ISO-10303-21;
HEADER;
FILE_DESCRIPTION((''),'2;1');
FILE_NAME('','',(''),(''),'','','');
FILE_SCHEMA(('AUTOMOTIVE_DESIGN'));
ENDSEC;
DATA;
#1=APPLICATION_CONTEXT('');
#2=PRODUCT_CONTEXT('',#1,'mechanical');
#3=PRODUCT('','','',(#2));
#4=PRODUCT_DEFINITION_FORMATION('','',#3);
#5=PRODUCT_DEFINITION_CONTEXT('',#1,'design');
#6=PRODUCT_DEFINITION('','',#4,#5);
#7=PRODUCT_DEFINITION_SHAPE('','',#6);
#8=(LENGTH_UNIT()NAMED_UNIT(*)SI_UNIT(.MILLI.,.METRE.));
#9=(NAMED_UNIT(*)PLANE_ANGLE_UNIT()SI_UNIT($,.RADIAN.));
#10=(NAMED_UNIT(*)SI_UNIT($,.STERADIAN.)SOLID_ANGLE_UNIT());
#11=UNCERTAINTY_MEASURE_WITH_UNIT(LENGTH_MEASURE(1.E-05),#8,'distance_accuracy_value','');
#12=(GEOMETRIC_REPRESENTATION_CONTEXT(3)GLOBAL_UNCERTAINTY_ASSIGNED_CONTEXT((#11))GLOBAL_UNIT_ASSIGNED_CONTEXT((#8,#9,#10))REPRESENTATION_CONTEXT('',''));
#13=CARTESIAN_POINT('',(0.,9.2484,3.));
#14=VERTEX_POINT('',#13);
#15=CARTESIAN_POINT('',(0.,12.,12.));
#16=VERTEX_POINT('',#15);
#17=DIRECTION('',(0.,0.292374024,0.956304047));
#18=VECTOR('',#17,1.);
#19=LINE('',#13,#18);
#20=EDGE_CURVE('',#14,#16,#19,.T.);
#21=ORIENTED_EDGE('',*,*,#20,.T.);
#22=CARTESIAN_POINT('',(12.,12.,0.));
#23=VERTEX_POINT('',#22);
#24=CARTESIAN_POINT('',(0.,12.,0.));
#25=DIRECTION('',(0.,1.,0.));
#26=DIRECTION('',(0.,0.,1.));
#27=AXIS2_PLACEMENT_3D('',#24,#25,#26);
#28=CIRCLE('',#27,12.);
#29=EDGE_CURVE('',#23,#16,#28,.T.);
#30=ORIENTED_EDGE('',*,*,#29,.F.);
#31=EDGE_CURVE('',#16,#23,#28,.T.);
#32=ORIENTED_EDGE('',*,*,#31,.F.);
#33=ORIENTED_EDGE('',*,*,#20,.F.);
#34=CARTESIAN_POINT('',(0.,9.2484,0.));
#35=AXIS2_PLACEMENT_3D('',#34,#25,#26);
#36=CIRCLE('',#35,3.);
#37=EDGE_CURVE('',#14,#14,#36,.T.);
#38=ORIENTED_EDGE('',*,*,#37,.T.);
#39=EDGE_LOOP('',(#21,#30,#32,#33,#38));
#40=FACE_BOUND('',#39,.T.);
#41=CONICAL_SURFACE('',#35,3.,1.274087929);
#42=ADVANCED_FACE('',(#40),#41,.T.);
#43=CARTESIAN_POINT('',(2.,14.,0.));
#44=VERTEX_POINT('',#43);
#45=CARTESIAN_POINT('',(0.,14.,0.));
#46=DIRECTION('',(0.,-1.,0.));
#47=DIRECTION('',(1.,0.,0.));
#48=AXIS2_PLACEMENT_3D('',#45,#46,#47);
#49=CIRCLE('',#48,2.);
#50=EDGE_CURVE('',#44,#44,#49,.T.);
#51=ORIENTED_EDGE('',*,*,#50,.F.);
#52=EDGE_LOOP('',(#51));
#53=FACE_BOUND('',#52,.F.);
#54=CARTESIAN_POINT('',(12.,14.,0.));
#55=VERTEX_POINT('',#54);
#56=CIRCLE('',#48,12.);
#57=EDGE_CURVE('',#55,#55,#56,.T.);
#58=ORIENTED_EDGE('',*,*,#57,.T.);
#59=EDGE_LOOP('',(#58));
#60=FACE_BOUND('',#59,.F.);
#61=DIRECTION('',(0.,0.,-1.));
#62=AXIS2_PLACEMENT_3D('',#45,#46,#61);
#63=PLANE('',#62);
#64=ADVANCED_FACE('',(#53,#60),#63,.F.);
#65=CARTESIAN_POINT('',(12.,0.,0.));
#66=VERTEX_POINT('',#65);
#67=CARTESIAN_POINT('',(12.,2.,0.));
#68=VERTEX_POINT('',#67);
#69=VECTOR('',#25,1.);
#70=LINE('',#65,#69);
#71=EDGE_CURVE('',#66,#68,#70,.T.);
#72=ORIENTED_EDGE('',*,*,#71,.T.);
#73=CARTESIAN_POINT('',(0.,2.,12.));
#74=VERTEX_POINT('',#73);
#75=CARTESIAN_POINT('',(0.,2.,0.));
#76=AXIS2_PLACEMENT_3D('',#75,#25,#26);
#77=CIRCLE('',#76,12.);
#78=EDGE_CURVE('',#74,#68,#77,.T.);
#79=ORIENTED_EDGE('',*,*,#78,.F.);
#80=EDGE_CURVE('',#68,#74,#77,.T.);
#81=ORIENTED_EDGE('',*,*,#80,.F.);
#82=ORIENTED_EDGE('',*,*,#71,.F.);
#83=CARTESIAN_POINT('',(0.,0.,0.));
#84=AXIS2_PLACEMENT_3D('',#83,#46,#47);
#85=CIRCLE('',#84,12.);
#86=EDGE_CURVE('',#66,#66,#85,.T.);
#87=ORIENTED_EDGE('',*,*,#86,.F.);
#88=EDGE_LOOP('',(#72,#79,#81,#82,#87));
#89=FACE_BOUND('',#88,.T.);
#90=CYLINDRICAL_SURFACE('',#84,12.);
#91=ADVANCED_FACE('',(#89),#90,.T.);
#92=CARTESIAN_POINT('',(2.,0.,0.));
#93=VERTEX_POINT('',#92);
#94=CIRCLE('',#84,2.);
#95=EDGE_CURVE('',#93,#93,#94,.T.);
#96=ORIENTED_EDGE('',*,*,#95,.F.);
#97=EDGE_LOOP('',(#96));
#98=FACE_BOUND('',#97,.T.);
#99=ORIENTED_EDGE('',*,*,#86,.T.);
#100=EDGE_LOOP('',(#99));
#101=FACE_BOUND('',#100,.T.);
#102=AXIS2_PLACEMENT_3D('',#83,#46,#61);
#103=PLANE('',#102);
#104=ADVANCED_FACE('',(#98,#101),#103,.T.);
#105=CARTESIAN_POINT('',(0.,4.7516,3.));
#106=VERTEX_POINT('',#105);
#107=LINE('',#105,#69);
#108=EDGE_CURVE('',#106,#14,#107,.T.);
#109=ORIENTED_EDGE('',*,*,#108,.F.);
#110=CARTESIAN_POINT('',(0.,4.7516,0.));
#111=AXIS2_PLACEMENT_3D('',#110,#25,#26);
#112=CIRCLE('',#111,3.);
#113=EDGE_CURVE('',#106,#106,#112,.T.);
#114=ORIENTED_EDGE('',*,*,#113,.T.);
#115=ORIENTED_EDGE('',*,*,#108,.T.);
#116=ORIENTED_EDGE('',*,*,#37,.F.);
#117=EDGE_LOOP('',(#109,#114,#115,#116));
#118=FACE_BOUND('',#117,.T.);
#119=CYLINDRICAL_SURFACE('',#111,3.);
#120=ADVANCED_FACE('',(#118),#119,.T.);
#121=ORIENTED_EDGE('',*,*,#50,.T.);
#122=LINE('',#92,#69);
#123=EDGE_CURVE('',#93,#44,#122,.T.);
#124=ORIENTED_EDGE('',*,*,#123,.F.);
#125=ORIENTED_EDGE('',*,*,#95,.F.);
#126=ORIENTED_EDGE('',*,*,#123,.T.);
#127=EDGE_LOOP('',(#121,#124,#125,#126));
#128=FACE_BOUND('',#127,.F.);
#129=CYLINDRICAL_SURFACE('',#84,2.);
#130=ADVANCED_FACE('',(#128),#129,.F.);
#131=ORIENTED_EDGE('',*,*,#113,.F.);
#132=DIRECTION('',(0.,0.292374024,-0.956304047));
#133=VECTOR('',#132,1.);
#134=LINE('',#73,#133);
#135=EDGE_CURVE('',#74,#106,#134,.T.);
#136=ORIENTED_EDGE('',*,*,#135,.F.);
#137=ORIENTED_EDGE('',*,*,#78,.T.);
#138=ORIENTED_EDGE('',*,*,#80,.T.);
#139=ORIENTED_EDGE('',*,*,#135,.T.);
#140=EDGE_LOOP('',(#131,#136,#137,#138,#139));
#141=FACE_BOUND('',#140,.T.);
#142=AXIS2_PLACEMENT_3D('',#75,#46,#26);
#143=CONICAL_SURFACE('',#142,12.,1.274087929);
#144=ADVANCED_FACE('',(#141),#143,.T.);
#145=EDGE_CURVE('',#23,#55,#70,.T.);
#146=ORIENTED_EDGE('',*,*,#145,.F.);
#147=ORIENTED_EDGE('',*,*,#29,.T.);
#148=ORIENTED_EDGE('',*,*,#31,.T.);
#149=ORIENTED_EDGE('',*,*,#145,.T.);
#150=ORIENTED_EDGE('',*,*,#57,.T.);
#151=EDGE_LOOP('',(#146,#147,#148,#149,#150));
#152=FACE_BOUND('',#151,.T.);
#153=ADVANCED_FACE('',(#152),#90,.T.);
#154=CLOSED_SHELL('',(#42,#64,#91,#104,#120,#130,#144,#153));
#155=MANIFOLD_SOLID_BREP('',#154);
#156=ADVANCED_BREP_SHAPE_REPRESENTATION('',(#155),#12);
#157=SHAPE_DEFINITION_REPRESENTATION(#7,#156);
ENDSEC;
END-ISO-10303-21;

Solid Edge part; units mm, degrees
sketch "Sketch1" plane through (0, 0, 0) normal (0, -1, 0) x (1, 0, 0)
  circle A0 centre (0, 0) radius 12
  dimension "D1" = 24
extrude "Protrusion1" add sketch "Sketch1" against normal blind 14
sketch "Sketch2" plane through (0, 0, 0) normal (0, -1, 0) x (1, 0, 0)
  circle A0 centre (0, 0) radius 2
  dimension "D1" = 4
extrude "Cutout1" cut sketch "Sketch2" against normal up to next
sketch "Sketch3" plane through (0, 0, 0) normal (1, 0, 0) x (0, 1, 0)
  line L0 (2, 12) -> (4.7516, 3)
  line L1 (4.7516, 3) -> (9.2484, 3)
  line L2 (9.2484, 3) -> (12, 12)
  line L3 (12, 12) -> (2, 12)
revolve "RevolvedCutout1" cut sketch "Sketch3" angle 360 about axis through (0, 0, 0) along (0, 1, 0)
properties material "Steel"
